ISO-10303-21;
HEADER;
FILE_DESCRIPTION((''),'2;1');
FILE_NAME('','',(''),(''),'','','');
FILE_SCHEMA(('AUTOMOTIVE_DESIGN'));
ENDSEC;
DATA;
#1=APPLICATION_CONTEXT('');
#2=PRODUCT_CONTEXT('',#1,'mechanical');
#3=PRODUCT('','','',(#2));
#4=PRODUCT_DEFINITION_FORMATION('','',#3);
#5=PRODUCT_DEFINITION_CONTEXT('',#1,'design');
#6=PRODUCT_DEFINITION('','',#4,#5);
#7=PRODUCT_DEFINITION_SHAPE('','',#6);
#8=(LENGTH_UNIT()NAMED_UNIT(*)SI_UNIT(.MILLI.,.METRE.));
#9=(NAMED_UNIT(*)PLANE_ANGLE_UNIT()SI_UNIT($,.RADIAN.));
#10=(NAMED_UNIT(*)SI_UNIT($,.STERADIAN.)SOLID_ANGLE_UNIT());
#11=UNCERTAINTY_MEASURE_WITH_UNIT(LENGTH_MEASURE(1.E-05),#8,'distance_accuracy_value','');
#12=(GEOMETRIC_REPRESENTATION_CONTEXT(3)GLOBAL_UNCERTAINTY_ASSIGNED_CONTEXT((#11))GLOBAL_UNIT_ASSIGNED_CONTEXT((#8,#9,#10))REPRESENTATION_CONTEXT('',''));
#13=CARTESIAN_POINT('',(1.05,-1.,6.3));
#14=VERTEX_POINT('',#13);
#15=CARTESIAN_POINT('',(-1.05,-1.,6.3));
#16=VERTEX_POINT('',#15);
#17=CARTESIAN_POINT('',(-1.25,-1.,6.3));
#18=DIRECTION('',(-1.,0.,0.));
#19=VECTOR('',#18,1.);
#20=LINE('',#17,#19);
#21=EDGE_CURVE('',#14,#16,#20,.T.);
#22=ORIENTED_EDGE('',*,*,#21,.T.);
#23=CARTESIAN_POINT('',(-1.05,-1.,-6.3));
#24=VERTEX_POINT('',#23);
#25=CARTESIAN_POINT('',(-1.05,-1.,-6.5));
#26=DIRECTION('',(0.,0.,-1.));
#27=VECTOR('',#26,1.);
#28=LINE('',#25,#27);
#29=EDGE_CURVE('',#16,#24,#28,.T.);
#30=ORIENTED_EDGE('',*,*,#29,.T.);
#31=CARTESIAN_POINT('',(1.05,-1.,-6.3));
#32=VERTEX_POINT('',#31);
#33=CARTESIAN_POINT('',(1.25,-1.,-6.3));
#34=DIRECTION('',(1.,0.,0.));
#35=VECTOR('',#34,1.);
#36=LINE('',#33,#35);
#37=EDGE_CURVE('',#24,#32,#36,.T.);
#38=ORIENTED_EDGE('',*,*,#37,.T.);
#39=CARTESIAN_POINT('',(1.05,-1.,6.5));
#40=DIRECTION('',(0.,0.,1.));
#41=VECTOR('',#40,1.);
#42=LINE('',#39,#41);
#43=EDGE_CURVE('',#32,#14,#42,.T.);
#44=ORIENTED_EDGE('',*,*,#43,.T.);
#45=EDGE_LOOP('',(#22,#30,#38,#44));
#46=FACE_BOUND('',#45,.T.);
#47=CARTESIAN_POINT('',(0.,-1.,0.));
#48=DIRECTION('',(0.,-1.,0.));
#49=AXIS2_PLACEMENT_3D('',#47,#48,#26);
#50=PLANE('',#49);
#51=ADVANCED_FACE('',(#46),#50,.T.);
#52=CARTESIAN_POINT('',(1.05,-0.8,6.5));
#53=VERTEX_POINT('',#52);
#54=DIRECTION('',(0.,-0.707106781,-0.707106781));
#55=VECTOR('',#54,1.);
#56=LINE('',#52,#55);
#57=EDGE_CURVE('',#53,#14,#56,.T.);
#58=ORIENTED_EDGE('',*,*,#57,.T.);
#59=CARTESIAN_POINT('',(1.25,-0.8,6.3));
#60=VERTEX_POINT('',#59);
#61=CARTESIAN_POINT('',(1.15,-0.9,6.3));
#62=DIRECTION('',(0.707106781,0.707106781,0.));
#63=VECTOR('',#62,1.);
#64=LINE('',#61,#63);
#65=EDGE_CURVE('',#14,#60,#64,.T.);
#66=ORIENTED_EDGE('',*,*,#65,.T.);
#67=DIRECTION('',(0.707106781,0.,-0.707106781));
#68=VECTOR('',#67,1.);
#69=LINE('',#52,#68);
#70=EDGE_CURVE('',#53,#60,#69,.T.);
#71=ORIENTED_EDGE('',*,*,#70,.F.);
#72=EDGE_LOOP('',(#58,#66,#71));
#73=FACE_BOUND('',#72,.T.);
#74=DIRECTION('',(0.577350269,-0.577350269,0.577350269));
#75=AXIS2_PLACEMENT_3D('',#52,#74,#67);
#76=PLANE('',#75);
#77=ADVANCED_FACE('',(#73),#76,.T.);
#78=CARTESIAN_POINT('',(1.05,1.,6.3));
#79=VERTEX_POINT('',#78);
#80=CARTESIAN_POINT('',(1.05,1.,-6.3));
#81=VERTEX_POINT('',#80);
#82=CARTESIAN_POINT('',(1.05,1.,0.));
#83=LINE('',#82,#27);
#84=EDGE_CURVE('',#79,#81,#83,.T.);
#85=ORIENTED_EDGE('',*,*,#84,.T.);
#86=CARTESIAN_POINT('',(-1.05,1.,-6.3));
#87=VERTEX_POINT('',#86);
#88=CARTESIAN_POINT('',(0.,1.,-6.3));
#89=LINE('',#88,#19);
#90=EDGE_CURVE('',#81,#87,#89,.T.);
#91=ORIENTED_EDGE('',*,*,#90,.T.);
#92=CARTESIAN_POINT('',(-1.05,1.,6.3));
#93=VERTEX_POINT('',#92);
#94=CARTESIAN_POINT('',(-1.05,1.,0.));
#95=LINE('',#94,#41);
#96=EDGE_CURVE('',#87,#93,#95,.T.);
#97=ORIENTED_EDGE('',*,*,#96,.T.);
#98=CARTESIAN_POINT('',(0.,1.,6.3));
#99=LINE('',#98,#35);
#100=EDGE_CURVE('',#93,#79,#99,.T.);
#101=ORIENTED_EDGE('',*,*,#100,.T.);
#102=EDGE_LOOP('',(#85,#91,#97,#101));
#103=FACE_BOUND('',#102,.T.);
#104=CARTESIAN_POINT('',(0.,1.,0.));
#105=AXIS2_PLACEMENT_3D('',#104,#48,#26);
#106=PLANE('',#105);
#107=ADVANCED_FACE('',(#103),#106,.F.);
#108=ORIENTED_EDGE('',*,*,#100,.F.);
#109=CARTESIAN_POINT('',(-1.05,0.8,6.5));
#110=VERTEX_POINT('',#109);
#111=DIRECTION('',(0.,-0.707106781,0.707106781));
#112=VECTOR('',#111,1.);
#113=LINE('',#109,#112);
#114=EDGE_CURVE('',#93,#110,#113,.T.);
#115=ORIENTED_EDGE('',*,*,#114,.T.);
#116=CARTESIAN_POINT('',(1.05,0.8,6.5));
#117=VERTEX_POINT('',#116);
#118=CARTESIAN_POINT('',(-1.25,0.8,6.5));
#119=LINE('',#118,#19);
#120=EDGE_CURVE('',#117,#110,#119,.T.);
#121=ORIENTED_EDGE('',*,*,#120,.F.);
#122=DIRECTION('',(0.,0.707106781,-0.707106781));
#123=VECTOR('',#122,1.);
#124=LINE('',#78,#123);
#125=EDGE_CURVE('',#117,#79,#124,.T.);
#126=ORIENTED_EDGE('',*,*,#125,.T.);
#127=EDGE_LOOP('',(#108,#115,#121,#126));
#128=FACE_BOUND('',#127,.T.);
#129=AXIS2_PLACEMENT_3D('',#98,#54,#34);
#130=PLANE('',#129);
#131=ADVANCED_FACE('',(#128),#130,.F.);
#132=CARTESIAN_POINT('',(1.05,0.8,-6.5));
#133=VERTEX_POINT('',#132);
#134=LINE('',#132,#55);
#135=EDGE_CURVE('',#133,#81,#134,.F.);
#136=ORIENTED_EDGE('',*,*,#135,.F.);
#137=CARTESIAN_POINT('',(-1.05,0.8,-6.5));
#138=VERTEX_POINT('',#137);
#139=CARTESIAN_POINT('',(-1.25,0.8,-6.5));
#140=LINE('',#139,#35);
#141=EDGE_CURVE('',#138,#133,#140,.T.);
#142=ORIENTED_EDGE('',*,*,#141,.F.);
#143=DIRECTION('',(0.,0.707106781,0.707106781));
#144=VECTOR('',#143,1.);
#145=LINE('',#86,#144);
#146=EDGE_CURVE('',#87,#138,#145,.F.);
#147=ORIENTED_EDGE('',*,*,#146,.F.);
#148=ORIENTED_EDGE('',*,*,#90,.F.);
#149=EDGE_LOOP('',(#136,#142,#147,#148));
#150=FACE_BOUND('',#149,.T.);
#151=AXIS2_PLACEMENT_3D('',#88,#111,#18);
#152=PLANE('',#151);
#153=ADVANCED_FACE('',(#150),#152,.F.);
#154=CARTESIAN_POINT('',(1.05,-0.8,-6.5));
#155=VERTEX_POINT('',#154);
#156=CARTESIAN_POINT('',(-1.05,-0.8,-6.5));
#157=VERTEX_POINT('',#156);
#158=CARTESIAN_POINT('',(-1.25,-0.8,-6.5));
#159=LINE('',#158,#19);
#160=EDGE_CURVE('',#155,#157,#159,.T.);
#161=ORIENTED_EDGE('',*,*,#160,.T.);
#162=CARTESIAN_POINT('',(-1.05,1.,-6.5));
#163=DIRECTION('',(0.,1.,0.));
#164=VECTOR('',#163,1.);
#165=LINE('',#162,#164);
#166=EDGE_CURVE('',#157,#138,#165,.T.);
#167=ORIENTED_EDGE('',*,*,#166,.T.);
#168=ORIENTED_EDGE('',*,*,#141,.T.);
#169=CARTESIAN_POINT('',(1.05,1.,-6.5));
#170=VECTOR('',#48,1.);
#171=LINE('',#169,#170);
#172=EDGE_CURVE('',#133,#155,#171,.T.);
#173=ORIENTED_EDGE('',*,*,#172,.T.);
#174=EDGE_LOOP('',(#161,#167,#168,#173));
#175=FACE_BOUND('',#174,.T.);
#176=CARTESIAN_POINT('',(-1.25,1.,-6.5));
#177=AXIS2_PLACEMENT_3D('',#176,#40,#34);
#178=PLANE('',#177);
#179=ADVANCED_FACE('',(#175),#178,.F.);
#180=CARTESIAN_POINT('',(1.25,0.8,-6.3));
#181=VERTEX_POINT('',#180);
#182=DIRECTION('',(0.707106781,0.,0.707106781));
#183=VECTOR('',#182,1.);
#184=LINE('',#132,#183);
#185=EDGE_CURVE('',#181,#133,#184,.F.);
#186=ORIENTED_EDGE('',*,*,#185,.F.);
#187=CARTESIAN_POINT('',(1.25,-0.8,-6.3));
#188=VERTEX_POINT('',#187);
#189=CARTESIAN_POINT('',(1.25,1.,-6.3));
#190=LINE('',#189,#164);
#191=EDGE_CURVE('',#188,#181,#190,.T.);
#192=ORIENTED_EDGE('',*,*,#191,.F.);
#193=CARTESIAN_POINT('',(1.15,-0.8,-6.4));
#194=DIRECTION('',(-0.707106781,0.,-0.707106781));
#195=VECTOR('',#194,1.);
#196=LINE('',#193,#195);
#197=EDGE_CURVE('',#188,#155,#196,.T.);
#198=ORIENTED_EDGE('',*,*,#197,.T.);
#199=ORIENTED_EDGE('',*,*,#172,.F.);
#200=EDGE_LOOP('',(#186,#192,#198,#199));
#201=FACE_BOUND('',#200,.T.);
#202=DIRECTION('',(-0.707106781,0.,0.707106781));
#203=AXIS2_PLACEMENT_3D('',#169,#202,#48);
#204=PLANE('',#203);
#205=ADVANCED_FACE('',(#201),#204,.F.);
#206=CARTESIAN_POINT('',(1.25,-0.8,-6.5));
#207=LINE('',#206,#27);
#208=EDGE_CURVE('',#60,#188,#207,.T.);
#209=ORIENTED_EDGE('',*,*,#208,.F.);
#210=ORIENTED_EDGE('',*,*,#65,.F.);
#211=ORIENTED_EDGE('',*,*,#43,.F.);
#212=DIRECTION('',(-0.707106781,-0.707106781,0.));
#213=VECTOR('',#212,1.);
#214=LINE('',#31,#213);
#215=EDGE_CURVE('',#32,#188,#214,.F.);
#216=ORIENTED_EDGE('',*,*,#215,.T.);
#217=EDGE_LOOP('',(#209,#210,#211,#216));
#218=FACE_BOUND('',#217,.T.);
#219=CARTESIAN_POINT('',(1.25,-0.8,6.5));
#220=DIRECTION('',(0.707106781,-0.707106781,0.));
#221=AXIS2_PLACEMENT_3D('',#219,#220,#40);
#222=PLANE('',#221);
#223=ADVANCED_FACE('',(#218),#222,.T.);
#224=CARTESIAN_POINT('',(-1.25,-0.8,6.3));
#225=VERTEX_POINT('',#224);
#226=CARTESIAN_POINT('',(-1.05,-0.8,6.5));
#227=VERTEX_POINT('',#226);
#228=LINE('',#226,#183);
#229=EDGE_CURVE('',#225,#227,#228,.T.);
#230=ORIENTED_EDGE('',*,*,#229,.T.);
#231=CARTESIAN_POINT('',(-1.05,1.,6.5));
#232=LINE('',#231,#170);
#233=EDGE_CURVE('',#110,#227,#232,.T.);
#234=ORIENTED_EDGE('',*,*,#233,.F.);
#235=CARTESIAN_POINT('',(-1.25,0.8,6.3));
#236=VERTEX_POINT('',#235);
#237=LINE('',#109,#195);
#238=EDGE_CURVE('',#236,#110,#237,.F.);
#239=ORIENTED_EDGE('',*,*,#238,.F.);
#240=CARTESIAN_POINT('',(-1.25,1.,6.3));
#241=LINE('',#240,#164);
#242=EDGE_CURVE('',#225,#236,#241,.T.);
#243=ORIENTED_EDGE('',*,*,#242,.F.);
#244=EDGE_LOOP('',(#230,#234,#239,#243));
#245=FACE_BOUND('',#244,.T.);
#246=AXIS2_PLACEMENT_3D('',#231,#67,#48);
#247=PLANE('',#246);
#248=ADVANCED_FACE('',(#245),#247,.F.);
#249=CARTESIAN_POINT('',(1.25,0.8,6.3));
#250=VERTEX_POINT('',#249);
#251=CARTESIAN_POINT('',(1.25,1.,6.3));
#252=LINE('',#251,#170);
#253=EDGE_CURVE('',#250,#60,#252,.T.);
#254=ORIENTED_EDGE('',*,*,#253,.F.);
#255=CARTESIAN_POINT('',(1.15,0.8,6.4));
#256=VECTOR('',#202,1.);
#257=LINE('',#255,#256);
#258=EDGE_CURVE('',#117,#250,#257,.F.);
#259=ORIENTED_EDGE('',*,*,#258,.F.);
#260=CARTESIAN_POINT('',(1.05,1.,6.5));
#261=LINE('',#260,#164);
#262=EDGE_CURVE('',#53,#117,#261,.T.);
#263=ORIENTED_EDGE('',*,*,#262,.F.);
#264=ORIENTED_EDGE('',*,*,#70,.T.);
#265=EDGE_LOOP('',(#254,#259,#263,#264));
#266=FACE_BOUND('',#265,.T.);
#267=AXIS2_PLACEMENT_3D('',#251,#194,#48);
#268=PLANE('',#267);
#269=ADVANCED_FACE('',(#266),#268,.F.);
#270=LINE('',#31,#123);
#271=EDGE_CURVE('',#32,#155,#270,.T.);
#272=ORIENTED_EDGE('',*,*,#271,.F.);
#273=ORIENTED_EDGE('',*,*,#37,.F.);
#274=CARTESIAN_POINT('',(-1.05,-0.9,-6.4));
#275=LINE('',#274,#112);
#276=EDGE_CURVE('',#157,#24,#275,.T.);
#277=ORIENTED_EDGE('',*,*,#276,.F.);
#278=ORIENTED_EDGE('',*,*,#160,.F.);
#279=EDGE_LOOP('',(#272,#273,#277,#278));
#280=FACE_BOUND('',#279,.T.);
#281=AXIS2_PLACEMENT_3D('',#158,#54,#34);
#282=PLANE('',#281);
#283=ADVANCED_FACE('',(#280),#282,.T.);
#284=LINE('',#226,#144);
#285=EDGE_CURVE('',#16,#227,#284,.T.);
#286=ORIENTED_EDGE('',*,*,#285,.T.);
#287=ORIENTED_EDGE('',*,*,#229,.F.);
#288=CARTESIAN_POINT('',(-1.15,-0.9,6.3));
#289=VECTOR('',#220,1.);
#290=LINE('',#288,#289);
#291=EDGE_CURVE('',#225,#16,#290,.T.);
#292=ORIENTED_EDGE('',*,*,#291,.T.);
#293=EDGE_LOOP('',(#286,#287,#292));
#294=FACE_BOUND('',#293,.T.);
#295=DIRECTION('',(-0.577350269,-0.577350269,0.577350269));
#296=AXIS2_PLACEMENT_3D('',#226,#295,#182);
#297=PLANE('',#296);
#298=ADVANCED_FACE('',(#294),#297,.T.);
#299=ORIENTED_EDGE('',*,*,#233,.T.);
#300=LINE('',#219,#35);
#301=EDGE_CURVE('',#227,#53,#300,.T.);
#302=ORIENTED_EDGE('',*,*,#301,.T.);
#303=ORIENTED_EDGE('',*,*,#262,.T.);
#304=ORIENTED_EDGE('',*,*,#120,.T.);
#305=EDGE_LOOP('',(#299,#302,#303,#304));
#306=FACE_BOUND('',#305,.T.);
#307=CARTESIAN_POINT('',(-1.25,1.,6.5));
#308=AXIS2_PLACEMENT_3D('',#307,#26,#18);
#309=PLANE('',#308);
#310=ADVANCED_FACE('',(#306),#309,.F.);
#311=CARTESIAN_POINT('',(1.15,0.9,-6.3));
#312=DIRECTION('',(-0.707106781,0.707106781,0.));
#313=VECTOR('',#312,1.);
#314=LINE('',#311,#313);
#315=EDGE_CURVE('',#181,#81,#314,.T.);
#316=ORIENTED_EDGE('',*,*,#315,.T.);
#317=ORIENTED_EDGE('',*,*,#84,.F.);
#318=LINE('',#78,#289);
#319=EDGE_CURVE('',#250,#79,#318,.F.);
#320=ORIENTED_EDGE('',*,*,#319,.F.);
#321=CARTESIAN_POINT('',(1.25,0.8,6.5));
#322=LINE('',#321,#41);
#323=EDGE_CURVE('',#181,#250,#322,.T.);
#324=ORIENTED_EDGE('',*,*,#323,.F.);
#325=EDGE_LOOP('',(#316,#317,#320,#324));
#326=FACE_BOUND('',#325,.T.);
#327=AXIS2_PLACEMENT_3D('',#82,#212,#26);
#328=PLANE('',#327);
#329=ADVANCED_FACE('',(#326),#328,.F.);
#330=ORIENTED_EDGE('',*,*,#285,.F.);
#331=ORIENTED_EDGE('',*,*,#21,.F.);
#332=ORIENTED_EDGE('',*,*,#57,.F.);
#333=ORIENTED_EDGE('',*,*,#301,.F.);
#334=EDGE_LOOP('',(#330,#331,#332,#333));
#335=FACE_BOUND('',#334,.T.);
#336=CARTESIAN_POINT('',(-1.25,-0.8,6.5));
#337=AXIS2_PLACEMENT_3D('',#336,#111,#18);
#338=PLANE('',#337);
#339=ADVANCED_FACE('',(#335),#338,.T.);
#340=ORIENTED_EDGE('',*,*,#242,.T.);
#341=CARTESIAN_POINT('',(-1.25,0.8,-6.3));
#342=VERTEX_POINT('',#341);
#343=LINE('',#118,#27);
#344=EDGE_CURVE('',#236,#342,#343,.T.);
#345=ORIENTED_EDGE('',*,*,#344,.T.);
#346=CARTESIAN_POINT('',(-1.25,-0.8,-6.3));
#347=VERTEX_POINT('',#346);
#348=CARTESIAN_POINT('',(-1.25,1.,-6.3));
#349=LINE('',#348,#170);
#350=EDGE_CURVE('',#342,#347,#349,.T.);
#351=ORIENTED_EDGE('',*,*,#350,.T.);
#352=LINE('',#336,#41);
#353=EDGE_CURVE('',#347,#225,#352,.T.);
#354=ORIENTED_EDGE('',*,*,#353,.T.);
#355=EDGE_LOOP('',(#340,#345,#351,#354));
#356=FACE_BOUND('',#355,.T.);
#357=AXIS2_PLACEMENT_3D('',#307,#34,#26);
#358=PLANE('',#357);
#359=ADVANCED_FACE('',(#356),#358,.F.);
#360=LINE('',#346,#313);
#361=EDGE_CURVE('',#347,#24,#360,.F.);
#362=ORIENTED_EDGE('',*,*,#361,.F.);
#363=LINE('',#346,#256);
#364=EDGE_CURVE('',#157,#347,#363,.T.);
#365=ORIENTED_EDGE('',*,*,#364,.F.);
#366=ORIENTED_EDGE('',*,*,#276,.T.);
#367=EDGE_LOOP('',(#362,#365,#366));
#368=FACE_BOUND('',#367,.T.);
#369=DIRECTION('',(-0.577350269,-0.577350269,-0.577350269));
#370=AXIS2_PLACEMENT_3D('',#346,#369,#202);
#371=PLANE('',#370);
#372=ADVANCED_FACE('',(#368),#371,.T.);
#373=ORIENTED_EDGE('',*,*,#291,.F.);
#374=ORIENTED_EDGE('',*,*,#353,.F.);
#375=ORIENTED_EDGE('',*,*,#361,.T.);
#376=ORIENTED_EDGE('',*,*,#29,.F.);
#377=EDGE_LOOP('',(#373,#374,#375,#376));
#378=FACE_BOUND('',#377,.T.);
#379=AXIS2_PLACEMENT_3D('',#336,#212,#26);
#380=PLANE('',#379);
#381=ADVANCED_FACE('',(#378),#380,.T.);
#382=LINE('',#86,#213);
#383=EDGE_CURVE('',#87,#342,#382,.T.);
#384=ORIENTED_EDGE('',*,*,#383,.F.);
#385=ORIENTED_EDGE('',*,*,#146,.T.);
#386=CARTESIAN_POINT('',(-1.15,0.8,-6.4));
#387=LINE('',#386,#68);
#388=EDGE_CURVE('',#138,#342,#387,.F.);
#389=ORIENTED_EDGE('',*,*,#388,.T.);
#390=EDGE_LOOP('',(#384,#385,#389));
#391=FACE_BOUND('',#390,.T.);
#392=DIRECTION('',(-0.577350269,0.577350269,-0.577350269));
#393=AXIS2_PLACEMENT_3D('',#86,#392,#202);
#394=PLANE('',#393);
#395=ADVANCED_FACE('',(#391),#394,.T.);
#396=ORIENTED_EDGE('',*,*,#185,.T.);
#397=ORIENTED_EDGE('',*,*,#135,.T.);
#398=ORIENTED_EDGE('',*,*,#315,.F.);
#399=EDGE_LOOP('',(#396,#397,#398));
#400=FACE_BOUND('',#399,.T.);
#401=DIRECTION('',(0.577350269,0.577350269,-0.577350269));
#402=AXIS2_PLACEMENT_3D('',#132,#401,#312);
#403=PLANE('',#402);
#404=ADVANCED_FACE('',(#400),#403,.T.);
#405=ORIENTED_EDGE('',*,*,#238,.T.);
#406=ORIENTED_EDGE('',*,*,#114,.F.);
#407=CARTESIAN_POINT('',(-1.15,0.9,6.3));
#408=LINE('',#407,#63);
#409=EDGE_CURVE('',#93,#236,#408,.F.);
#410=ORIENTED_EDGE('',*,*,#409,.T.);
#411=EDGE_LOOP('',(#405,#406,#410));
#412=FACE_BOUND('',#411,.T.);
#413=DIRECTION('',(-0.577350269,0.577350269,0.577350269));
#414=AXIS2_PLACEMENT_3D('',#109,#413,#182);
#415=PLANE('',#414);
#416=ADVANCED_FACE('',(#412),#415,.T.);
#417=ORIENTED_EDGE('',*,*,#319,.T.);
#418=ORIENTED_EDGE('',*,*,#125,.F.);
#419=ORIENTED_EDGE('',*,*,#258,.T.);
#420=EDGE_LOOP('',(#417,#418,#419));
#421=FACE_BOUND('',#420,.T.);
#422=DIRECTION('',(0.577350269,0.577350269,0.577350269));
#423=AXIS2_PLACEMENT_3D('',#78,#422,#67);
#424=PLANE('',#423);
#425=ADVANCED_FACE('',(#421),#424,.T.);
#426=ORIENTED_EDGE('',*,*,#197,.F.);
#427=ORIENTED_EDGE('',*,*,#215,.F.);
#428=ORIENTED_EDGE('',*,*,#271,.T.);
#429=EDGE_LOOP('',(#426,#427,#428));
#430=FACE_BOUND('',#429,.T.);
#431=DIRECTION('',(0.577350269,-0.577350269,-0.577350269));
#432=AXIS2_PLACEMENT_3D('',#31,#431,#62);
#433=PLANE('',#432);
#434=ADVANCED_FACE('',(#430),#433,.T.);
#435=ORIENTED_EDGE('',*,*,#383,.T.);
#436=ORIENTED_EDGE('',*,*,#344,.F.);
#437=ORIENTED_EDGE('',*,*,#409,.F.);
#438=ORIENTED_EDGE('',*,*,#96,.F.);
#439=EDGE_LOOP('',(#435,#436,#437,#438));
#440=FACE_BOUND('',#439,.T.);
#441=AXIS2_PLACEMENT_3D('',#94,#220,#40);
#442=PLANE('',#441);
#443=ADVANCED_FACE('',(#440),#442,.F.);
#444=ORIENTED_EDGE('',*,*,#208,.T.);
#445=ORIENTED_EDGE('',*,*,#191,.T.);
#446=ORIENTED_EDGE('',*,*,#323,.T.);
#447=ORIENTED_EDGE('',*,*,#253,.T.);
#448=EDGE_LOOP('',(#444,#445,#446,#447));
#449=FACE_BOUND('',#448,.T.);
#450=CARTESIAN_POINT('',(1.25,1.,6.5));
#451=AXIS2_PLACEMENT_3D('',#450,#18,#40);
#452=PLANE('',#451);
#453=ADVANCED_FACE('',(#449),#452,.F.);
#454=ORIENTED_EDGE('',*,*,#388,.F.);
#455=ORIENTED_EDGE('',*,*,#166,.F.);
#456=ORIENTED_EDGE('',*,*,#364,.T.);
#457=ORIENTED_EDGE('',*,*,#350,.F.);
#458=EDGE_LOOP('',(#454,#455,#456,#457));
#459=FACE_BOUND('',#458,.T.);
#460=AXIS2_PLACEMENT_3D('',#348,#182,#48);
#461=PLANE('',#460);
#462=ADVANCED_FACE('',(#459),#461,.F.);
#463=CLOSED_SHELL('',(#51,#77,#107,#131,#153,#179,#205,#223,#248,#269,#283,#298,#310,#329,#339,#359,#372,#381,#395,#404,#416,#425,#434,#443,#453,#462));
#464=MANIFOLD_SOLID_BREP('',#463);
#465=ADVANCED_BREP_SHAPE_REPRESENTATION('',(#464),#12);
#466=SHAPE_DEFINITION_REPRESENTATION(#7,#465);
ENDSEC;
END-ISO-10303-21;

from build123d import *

# Parameters (mm, degrees)
SKETCH_1_W      = 2.5
SKETCH_1_H      = 13
EXTRUDE_1_DEPTH = 1
CHAMFER_1_SIZE  = 0.2


with BuildPart() as part:
    # 草图1 → 凸台-拉伸1 (new, symmetric)
    with BuildSketch(Plane(origin=(0, 0, 0), x_dir=(1, 0, 0), z_dir=(0, 1, 0))):
        Rectangle(SKETCH_1_W, SKETCH_1_H)
    extrude(amount=EXTRUDE_1_DEPTH, both=True)

    # 倒角1
    chamfer_1_edges = [part.edges().sort_by_distance(p)[0] for p in [
        (-1.25, 1, 0),
        (0, 1, 6.5),
        (1.25, 1, 0),
        (0, -1, 6.5),
        (-1.25, -1, 0),
        (0, -1, -6.5),
        (1.25, -1, 0),
        (1.25, 0, 6.5),
        (-1.25, 0, 6.5),
        (-1.25, 0, -6.5),
        (1.25, 0, -6.5),
        (0, 1, -6.5),
    ]]
    chamfer(chamfer_1_edges, length=CHAMFER_1_SIZE)


solid = part.part
